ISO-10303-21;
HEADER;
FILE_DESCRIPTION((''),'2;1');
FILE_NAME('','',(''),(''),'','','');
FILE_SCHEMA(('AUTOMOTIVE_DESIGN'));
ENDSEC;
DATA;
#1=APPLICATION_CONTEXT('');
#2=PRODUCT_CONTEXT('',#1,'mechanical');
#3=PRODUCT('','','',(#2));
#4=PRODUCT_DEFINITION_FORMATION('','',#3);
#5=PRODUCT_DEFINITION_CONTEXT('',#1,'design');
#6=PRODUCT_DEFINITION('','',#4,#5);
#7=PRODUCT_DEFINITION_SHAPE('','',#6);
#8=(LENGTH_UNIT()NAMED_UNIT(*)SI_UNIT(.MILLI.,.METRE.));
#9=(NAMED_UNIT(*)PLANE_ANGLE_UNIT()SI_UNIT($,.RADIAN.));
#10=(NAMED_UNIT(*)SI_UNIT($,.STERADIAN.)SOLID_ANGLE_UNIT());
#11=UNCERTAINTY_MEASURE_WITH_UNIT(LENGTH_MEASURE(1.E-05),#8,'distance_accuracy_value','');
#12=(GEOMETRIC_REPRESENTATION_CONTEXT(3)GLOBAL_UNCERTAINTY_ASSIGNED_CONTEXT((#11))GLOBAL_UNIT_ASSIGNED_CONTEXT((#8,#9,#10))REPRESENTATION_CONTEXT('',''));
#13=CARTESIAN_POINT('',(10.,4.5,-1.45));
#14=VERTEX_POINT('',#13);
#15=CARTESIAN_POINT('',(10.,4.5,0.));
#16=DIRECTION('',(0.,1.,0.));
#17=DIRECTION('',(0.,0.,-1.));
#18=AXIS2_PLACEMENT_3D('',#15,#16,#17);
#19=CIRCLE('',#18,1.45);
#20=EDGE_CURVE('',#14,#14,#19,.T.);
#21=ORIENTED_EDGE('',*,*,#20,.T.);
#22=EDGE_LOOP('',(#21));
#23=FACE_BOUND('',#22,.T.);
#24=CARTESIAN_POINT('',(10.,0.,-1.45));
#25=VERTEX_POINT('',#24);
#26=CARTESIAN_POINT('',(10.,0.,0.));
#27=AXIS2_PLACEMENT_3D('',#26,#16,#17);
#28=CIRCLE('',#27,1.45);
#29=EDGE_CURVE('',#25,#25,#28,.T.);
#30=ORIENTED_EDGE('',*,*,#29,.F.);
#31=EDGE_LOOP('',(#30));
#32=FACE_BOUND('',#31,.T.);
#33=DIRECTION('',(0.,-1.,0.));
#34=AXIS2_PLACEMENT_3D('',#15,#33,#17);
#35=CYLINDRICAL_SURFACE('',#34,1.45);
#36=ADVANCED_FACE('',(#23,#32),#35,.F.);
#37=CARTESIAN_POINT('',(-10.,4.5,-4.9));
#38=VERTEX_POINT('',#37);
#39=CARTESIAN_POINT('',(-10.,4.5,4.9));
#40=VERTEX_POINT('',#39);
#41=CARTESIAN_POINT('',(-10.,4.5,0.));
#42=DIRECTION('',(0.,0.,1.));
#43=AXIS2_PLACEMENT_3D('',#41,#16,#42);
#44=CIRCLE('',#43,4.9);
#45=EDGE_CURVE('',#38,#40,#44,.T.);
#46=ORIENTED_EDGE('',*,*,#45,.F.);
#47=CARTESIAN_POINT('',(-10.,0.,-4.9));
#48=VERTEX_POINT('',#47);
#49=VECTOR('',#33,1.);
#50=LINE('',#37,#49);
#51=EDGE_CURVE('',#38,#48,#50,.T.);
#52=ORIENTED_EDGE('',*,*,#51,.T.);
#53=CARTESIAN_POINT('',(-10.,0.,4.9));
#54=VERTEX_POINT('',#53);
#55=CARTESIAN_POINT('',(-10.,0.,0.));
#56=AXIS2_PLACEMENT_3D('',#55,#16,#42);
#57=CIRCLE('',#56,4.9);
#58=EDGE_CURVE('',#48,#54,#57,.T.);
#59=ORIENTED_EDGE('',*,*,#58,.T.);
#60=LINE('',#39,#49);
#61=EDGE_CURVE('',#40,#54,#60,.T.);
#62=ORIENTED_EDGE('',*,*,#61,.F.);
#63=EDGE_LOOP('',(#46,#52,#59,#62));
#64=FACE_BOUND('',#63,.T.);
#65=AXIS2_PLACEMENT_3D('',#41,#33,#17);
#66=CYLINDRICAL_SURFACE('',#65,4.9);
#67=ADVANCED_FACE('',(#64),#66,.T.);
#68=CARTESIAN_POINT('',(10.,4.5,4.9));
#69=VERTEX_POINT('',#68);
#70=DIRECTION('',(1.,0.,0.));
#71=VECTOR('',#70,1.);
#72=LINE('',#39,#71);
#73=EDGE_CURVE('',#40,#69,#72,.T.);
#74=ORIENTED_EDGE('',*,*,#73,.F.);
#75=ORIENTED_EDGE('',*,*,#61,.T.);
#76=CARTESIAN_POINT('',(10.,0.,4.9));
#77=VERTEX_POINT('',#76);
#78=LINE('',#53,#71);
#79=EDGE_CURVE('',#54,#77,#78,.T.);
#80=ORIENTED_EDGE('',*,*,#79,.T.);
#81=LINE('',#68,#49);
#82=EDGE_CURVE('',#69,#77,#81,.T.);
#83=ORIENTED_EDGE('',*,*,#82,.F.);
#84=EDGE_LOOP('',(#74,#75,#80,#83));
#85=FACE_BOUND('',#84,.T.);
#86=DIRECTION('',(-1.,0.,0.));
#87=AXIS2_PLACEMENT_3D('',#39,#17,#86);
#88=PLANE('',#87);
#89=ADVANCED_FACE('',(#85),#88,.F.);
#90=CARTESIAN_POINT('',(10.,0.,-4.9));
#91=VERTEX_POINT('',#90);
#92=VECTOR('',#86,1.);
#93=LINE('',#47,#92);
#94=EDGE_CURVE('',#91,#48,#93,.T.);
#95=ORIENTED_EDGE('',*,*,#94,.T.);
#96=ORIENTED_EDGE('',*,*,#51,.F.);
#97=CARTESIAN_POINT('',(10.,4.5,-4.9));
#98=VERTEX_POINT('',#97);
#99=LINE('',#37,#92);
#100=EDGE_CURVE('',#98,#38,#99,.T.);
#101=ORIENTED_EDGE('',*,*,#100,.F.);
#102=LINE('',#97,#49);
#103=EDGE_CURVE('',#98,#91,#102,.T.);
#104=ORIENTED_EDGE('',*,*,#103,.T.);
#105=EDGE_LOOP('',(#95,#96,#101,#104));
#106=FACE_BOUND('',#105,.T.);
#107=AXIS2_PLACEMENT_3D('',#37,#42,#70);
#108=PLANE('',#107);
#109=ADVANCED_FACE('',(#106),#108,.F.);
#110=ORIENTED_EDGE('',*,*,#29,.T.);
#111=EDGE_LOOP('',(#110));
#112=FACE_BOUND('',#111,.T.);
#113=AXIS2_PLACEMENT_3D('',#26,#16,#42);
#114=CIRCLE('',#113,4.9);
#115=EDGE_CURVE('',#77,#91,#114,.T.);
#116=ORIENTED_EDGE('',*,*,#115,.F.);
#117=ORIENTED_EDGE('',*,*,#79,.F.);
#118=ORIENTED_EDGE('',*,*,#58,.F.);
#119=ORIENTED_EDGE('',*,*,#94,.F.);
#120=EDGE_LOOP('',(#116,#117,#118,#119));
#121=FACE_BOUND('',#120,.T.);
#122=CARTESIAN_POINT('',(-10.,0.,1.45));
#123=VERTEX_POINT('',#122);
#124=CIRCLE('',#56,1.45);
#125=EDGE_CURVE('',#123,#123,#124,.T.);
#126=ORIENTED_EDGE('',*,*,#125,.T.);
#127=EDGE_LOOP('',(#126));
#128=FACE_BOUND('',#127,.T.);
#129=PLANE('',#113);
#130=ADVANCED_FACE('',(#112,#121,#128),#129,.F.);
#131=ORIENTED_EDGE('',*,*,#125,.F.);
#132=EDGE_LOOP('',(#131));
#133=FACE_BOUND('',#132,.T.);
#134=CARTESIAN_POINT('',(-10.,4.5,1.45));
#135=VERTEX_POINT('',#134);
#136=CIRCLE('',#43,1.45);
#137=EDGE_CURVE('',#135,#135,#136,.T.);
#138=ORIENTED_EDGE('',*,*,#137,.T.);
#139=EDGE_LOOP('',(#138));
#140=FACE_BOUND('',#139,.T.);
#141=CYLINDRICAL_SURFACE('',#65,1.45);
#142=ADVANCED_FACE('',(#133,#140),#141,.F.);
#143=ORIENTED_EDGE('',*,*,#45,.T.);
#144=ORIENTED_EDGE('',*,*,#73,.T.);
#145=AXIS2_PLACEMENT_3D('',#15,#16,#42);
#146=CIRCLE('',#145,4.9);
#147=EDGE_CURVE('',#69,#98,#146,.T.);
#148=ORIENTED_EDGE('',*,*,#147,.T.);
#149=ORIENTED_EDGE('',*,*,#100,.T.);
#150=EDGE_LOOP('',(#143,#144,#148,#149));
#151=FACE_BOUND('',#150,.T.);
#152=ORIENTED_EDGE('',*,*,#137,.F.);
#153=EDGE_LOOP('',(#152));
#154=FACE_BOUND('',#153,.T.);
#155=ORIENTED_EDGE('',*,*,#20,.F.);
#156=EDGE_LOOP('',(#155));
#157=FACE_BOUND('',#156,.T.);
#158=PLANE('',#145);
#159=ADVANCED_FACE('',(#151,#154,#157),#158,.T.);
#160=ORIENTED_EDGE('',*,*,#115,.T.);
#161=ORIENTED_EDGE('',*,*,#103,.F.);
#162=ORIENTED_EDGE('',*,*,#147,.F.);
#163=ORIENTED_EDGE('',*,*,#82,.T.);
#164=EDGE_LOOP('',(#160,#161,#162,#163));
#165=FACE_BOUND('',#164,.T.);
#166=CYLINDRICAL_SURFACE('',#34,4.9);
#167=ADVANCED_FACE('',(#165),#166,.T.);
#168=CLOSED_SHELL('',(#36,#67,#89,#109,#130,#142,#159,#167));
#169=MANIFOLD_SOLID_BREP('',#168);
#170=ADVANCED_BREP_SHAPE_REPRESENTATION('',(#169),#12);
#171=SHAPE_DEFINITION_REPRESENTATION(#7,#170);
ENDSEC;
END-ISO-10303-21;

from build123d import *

# Parameters (mm, degrees)
SKETCH1_R           = 1.45
BOSS_EXTRUDE1_DEPTH = 4.5


with BuildPart() as part:
    # Sketch1 → Boss-Extrude1 (new body)
    with BuildSketch(Plane(origin=(0, 0, 0), x_dir=(1, 0, 0), z_dir=(0, 1, 0))):
        with BuildLine():
            Line((-10.000000241, 4.9), (10.000000241, 4.9))
            ThreePointArc((10.000000241, 4.9), (14.9, 0), (10.000000241, -4.9))
            Line((10.000000241, -4.9), (-10.000000241, -4.9))
            ThreePointArc((-10.000000241, -4.9), (-14.9, 0), (-10.000000241, 4.9))
        make_face()
        with Locations(Location((-10, 0, 0), (0, 0, 270))):
            Circle(SKETCH1_R, mode=Mode.SUBTRACT)
        with Locations(Location((10, 0, 0), (0, 0, 90))):
            Circle(SKETCH1_R, mode=Mode.SUBTRACT)
    extrude(amount=BOSS_EXTRUDE1_DEPTH)


solid = part.part
